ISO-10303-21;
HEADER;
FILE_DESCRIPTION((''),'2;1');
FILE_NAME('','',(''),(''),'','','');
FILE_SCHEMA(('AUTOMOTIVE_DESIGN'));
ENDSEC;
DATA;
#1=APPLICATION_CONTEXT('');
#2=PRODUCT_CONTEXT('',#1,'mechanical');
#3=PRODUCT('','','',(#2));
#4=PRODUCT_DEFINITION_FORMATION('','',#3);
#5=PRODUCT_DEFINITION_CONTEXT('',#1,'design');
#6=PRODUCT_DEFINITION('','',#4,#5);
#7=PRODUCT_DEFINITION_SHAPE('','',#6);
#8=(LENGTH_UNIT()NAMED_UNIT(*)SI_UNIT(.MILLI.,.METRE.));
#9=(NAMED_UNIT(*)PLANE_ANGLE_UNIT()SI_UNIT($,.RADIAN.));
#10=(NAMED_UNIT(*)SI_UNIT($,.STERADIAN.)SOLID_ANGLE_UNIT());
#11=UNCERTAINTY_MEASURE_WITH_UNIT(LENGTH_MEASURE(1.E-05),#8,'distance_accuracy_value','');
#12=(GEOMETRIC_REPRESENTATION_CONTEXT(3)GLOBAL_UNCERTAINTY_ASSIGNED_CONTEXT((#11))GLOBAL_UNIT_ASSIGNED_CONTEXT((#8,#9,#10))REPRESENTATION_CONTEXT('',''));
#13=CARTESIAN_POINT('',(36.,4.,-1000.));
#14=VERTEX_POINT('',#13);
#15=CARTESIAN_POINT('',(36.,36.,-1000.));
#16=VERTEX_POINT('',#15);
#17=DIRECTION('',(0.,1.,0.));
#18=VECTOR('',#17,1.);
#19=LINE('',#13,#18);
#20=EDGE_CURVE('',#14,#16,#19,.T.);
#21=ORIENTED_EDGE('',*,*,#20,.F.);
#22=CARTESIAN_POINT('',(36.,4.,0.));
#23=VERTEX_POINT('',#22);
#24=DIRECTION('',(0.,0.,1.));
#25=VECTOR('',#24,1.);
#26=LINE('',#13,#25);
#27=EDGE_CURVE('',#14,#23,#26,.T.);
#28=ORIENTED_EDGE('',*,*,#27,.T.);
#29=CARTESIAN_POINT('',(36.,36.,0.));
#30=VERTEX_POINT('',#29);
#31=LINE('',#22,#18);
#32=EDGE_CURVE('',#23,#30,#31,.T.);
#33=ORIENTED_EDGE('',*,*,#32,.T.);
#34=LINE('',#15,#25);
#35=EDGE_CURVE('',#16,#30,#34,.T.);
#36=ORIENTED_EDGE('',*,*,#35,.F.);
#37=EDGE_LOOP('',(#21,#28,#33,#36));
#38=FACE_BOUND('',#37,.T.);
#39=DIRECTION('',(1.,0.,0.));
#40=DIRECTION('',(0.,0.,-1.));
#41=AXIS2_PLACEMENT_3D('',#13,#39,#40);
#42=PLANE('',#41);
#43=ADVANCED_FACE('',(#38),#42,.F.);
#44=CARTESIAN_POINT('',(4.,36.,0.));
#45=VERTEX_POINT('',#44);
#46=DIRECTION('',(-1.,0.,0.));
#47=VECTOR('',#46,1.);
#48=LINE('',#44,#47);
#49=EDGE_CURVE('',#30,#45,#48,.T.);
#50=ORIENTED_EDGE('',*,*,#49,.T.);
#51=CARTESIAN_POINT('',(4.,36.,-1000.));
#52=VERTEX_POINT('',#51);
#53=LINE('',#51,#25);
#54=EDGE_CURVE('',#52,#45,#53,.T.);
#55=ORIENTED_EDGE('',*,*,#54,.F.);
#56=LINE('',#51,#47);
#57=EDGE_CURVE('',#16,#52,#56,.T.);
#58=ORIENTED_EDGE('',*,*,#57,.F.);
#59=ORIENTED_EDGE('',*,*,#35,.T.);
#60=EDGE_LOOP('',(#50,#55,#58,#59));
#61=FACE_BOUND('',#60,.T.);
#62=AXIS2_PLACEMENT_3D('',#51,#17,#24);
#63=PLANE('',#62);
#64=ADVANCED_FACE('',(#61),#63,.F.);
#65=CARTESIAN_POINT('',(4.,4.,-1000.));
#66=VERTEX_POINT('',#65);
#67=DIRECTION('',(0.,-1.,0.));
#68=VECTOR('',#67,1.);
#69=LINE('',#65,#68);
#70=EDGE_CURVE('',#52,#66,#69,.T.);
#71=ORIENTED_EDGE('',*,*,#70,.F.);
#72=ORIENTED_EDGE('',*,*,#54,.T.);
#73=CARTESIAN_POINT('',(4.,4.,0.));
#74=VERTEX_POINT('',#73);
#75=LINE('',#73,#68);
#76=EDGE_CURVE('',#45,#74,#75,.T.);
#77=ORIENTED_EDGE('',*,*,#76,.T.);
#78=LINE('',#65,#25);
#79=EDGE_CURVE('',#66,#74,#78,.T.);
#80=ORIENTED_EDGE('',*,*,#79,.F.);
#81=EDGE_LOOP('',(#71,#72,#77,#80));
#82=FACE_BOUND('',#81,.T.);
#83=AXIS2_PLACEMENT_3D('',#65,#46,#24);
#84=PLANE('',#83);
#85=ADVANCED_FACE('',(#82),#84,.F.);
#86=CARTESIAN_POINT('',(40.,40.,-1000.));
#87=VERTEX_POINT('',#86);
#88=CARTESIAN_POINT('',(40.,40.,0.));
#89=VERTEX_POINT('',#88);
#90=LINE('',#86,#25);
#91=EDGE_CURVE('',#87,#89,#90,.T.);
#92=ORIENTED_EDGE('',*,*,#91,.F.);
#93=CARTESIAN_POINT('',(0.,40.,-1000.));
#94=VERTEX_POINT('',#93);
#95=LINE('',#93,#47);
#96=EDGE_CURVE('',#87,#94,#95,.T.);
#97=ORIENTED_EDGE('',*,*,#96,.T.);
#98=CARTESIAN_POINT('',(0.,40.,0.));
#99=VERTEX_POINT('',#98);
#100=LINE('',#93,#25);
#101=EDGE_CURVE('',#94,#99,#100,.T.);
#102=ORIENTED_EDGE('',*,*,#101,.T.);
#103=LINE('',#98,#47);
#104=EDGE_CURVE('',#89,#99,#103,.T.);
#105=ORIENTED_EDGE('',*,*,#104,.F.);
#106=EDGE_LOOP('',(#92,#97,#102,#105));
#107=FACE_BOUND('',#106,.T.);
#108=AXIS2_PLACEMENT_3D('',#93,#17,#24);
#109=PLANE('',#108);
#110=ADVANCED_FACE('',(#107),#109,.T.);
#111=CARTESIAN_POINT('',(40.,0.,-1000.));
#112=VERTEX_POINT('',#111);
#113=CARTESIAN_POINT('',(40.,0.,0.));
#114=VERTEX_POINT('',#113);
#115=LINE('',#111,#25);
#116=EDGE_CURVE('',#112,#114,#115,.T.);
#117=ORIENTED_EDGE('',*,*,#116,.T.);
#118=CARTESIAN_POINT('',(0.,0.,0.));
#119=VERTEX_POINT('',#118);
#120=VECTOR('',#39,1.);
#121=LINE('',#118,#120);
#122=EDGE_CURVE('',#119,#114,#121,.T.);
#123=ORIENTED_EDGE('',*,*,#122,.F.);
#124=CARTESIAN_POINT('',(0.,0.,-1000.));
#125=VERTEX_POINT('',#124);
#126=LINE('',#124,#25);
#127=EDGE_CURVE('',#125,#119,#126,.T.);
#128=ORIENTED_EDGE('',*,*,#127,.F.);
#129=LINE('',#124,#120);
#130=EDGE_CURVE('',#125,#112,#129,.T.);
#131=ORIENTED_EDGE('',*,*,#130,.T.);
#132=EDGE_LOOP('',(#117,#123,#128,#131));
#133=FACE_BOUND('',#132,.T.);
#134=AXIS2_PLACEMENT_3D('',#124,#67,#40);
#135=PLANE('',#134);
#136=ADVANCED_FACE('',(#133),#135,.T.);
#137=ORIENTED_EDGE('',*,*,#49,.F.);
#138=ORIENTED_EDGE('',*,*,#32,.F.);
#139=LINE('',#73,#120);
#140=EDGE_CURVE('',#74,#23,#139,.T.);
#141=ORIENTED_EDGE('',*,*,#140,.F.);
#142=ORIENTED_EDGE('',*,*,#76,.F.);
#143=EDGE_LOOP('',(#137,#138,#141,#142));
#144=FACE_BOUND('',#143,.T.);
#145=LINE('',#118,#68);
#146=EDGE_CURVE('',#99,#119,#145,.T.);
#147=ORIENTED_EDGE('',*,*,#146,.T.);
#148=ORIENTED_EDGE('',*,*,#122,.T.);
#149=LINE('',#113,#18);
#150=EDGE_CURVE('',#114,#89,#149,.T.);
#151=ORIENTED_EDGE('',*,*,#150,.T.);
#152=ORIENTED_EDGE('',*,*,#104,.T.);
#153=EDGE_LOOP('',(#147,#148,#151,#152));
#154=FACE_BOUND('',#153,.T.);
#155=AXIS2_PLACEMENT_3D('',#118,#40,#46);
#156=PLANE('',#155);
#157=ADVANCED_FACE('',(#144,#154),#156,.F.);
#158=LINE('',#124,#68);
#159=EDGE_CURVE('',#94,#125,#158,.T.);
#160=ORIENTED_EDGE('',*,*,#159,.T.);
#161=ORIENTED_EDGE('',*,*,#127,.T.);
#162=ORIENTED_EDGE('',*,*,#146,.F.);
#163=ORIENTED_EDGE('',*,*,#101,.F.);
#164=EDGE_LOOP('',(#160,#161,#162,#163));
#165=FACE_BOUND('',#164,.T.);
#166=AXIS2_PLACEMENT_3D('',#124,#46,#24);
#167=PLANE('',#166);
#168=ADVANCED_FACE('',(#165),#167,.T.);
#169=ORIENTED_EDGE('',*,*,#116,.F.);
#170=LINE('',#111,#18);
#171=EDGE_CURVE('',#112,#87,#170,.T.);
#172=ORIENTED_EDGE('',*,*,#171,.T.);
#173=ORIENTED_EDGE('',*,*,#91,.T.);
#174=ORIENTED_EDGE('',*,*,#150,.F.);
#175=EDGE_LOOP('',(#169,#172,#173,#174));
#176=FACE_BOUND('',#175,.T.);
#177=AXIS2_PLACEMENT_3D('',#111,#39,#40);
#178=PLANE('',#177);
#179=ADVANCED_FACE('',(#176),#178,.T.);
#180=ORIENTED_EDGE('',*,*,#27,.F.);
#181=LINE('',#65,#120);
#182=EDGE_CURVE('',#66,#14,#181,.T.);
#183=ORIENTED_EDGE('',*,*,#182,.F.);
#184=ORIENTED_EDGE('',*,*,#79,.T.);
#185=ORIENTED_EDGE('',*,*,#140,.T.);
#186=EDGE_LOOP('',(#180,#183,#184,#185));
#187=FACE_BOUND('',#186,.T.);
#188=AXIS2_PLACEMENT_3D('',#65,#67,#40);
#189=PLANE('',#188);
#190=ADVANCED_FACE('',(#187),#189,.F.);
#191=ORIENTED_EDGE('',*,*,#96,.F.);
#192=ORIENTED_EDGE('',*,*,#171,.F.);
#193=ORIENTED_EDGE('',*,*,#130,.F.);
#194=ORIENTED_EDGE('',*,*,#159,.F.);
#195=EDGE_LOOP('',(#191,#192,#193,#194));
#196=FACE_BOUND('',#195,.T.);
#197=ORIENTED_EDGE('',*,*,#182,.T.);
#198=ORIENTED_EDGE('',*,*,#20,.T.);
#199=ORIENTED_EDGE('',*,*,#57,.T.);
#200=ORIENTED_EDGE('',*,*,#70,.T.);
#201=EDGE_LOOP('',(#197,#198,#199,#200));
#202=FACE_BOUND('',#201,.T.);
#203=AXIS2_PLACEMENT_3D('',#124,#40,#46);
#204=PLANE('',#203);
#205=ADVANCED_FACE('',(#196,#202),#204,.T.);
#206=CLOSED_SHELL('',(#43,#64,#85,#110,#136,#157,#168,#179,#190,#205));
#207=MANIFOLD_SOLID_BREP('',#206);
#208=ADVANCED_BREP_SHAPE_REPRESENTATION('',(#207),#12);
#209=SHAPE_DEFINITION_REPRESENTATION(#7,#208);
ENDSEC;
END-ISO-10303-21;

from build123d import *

# Parameters (mm, degrees)
IZIM1_W                     = 40
IZIM1_H                     = 40
IZIM1_W_2                   = 32
IZIM1_H_2                   = 32
Y_KSEKLIK_EKSTR_ZYON1_DEPTH = 1000


with BuildPart() as part:
    # Çizim1 → Yükseklik-Ekstrüzyon1 (new body)
    with BuildSketch(Plane.XY):
        with Locations((20, 20)):
            Rectangle(IZIM1_W, IZIM1_H)
        with Locations((20, 20)):
            Rectangle(IZIM1_W_2, IZIM1_H_2, mode=Mode.SUBTRACT)
    extrude(amount=-Y_KSEKLIK_EKSTR_ZYON1_DEPTH)


solid = part.part
